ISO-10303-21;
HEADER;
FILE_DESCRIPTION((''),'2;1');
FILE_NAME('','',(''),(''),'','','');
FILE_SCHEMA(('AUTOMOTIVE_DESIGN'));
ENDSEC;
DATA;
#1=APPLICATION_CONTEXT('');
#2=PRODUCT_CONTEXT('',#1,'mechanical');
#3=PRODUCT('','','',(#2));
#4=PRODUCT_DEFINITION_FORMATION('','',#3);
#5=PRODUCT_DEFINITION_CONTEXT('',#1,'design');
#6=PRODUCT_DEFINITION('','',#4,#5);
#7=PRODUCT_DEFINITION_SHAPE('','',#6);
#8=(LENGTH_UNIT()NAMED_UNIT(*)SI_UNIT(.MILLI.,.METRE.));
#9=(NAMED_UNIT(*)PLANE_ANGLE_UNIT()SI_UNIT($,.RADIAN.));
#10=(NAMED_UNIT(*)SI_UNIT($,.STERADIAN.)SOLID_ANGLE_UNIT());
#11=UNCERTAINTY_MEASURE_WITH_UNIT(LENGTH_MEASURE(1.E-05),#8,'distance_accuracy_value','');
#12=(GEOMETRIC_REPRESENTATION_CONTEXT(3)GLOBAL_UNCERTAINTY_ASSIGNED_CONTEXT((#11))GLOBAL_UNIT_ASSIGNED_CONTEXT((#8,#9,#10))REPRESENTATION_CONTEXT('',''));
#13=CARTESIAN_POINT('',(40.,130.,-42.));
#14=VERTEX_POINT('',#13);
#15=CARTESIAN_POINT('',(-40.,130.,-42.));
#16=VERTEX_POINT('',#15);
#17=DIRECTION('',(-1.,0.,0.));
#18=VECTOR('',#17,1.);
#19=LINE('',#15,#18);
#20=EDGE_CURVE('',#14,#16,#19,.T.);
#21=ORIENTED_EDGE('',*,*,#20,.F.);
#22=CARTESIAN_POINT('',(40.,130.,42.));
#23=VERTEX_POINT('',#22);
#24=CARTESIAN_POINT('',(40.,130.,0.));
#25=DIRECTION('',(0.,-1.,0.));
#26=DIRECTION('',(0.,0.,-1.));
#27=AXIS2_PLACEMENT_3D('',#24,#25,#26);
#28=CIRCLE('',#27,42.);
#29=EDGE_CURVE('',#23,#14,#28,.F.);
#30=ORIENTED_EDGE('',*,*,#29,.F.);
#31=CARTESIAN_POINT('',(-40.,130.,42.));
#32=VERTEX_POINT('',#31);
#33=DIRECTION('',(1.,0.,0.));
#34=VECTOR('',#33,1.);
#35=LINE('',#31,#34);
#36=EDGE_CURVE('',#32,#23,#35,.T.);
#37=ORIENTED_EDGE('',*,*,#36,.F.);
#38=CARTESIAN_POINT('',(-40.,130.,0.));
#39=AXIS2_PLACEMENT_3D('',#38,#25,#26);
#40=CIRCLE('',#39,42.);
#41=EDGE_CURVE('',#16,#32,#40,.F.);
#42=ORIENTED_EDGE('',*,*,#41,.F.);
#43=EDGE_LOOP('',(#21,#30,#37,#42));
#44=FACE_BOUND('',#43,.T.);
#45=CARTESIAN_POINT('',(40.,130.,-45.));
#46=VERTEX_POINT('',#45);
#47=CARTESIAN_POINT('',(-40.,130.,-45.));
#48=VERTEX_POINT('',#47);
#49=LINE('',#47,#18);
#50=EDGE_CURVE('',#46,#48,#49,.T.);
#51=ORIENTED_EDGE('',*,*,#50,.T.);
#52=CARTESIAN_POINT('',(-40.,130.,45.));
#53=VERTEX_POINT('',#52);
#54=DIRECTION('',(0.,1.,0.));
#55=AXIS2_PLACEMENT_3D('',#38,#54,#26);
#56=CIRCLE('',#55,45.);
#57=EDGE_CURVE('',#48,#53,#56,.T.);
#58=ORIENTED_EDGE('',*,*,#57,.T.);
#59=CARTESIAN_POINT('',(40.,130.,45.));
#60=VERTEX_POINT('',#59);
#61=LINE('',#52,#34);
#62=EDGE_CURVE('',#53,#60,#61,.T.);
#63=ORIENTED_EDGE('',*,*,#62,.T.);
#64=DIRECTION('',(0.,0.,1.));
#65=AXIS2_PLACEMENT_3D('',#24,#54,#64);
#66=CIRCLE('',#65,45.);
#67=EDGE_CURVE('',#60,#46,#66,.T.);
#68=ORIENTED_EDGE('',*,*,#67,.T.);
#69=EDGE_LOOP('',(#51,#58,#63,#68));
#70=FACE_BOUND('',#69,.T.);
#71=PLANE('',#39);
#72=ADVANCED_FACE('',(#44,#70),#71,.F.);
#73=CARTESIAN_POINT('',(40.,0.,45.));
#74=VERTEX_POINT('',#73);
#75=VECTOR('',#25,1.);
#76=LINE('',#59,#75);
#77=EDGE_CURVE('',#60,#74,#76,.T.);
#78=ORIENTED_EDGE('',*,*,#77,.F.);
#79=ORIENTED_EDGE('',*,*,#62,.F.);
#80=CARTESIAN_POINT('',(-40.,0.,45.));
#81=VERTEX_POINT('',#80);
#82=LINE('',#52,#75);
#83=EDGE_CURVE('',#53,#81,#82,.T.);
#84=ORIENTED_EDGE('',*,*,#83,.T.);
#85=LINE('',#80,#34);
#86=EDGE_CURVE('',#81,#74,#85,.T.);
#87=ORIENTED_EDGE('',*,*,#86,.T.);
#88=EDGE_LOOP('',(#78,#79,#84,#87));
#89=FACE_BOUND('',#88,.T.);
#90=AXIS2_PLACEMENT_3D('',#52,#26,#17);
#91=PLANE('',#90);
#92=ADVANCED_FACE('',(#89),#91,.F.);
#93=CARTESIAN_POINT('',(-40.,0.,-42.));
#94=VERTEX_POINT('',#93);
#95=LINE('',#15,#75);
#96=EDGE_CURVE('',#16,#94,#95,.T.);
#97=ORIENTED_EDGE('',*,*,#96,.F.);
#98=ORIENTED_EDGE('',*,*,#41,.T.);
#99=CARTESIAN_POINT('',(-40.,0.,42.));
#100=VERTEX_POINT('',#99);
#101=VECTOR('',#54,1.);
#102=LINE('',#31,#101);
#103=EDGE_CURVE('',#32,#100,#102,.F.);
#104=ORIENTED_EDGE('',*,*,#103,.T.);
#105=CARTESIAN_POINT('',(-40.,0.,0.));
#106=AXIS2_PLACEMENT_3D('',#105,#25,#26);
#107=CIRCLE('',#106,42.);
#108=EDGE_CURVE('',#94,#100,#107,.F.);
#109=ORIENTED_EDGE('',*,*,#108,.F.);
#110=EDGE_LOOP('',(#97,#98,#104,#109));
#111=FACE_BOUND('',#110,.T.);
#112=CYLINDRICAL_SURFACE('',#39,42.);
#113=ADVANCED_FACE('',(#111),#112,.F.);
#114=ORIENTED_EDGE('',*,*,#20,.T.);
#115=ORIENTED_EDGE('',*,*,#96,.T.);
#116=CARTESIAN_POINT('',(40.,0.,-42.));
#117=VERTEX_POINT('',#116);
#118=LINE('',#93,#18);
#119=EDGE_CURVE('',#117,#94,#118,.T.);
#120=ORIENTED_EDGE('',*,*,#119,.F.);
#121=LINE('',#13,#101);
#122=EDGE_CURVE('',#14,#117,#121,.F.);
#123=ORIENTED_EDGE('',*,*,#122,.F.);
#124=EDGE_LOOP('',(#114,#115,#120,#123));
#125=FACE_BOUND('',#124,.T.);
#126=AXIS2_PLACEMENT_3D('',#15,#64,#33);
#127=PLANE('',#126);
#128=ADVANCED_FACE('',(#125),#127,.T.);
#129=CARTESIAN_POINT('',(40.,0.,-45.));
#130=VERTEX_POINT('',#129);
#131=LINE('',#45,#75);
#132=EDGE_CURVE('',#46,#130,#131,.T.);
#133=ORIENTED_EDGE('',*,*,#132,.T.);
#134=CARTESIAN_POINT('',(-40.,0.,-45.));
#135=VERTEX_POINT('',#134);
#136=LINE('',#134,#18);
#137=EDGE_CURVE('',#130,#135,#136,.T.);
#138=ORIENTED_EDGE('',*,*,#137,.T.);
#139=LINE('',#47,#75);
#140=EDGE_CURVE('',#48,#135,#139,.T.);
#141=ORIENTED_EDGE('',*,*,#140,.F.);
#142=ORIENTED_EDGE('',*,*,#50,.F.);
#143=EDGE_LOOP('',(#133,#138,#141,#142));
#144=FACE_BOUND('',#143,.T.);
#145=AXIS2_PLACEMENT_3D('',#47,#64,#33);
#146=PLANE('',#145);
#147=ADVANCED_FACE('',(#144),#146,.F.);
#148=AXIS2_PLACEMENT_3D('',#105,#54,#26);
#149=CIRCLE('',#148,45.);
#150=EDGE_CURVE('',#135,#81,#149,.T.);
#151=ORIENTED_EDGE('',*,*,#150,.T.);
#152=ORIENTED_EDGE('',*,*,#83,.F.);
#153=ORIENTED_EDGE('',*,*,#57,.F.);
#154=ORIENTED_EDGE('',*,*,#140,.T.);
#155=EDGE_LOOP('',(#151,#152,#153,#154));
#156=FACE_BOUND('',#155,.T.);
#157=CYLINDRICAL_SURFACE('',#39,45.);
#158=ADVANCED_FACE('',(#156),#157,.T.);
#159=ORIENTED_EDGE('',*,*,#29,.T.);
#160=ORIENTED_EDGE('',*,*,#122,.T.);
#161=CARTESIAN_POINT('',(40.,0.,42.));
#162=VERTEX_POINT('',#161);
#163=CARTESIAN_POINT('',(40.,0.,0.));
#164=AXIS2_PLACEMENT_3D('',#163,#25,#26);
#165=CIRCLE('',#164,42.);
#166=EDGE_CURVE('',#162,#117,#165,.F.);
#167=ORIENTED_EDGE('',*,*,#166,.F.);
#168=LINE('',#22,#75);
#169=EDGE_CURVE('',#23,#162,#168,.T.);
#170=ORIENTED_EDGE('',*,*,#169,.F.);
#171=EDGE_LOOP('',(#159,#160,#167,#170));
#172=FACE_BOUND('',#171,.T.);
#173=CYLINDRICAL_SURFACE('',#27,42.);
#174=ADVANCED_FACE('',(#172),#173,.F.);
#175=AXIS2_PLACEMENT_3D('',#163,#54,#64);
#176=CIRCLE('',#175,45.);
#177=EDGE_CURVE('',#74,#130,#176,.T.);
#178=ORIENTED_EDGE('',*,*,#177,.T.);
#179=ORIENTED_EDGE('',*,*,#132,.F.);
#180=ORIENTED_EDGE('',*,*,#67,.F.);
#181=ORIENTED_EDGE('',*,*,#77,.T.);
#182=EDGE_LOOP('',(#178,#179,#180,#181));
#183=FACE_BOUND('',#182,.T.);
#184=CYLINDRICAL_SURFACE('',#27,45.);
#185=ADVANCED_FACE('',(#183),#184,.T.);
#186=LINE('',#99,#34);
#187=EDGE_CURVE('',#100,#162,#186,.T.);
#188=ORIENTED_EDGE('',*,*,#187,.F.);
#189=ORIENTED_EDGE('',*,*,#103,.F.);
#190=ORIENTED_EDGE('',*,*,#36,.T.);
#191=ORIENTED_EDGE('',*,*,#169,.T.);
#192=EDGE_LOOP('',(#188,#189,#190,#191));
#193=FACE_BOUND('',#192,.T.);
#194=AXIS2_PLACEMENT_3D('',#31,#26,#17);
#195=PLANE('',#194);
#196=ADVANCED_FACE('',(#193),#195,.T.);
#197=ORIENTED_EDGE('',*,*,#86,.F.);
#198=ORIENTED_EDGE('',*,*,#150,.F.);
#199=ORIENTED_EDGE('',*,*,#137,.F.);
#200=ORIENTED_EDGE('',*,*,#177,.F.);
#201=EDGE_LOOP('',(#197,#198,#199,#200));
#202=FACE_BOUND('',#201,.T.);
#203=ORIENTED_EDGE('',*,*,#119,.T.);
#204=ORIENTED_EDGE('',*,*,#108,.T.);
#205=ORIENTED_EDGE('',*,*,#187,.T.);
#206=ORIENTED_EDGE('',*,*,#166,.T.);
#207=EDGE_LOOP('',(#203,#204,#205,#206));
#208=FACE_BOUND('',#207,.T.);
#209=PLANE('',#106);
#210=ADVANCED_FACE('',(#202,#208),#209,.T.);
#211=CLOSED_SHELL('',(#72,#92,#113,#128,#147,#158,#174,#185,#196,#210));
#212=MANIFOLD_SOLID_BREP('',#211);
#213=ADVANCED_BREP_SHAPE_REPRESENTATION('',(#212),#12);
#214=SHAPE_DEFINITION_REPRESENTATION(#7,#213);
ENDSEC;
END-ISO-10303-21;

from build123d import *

# Parameters (mm, degrees)
BOSS_EXTRUDE1_DEPTH = 130
SHELL1_T            = -3


with BuildPart() as part:
    # Sketch1 → Boss-Extrude1 (new body)
    with BuildSketch(Plane(origin=(0, 0, 0), x_dir=(1, 0, 0), z_dir=(0, 1, 0))):
        with BuildLine():
            Line((-40, -45), (40, -45))
            ThreePointArc((40, -45), (85, 0), (40, 45))
            Line((40, 45), (-40, 45))
            ThreePointArc((-40, 45), (-85, 0), (-40, -45))
        make_face()
    extrude(amount=BOSS_EXTRUDE1_DEPTH)

    # Shell1
    shell1_openings = [part.faces().sort_by_distance(p)[0] for p in [
        (0, 130, 0),
        (0, 0, 0),
    ]]
    offset(amount=SHELL1_T, openings=shell1_openings, kind=Kind.INTERSECTION)


solid = part.part
